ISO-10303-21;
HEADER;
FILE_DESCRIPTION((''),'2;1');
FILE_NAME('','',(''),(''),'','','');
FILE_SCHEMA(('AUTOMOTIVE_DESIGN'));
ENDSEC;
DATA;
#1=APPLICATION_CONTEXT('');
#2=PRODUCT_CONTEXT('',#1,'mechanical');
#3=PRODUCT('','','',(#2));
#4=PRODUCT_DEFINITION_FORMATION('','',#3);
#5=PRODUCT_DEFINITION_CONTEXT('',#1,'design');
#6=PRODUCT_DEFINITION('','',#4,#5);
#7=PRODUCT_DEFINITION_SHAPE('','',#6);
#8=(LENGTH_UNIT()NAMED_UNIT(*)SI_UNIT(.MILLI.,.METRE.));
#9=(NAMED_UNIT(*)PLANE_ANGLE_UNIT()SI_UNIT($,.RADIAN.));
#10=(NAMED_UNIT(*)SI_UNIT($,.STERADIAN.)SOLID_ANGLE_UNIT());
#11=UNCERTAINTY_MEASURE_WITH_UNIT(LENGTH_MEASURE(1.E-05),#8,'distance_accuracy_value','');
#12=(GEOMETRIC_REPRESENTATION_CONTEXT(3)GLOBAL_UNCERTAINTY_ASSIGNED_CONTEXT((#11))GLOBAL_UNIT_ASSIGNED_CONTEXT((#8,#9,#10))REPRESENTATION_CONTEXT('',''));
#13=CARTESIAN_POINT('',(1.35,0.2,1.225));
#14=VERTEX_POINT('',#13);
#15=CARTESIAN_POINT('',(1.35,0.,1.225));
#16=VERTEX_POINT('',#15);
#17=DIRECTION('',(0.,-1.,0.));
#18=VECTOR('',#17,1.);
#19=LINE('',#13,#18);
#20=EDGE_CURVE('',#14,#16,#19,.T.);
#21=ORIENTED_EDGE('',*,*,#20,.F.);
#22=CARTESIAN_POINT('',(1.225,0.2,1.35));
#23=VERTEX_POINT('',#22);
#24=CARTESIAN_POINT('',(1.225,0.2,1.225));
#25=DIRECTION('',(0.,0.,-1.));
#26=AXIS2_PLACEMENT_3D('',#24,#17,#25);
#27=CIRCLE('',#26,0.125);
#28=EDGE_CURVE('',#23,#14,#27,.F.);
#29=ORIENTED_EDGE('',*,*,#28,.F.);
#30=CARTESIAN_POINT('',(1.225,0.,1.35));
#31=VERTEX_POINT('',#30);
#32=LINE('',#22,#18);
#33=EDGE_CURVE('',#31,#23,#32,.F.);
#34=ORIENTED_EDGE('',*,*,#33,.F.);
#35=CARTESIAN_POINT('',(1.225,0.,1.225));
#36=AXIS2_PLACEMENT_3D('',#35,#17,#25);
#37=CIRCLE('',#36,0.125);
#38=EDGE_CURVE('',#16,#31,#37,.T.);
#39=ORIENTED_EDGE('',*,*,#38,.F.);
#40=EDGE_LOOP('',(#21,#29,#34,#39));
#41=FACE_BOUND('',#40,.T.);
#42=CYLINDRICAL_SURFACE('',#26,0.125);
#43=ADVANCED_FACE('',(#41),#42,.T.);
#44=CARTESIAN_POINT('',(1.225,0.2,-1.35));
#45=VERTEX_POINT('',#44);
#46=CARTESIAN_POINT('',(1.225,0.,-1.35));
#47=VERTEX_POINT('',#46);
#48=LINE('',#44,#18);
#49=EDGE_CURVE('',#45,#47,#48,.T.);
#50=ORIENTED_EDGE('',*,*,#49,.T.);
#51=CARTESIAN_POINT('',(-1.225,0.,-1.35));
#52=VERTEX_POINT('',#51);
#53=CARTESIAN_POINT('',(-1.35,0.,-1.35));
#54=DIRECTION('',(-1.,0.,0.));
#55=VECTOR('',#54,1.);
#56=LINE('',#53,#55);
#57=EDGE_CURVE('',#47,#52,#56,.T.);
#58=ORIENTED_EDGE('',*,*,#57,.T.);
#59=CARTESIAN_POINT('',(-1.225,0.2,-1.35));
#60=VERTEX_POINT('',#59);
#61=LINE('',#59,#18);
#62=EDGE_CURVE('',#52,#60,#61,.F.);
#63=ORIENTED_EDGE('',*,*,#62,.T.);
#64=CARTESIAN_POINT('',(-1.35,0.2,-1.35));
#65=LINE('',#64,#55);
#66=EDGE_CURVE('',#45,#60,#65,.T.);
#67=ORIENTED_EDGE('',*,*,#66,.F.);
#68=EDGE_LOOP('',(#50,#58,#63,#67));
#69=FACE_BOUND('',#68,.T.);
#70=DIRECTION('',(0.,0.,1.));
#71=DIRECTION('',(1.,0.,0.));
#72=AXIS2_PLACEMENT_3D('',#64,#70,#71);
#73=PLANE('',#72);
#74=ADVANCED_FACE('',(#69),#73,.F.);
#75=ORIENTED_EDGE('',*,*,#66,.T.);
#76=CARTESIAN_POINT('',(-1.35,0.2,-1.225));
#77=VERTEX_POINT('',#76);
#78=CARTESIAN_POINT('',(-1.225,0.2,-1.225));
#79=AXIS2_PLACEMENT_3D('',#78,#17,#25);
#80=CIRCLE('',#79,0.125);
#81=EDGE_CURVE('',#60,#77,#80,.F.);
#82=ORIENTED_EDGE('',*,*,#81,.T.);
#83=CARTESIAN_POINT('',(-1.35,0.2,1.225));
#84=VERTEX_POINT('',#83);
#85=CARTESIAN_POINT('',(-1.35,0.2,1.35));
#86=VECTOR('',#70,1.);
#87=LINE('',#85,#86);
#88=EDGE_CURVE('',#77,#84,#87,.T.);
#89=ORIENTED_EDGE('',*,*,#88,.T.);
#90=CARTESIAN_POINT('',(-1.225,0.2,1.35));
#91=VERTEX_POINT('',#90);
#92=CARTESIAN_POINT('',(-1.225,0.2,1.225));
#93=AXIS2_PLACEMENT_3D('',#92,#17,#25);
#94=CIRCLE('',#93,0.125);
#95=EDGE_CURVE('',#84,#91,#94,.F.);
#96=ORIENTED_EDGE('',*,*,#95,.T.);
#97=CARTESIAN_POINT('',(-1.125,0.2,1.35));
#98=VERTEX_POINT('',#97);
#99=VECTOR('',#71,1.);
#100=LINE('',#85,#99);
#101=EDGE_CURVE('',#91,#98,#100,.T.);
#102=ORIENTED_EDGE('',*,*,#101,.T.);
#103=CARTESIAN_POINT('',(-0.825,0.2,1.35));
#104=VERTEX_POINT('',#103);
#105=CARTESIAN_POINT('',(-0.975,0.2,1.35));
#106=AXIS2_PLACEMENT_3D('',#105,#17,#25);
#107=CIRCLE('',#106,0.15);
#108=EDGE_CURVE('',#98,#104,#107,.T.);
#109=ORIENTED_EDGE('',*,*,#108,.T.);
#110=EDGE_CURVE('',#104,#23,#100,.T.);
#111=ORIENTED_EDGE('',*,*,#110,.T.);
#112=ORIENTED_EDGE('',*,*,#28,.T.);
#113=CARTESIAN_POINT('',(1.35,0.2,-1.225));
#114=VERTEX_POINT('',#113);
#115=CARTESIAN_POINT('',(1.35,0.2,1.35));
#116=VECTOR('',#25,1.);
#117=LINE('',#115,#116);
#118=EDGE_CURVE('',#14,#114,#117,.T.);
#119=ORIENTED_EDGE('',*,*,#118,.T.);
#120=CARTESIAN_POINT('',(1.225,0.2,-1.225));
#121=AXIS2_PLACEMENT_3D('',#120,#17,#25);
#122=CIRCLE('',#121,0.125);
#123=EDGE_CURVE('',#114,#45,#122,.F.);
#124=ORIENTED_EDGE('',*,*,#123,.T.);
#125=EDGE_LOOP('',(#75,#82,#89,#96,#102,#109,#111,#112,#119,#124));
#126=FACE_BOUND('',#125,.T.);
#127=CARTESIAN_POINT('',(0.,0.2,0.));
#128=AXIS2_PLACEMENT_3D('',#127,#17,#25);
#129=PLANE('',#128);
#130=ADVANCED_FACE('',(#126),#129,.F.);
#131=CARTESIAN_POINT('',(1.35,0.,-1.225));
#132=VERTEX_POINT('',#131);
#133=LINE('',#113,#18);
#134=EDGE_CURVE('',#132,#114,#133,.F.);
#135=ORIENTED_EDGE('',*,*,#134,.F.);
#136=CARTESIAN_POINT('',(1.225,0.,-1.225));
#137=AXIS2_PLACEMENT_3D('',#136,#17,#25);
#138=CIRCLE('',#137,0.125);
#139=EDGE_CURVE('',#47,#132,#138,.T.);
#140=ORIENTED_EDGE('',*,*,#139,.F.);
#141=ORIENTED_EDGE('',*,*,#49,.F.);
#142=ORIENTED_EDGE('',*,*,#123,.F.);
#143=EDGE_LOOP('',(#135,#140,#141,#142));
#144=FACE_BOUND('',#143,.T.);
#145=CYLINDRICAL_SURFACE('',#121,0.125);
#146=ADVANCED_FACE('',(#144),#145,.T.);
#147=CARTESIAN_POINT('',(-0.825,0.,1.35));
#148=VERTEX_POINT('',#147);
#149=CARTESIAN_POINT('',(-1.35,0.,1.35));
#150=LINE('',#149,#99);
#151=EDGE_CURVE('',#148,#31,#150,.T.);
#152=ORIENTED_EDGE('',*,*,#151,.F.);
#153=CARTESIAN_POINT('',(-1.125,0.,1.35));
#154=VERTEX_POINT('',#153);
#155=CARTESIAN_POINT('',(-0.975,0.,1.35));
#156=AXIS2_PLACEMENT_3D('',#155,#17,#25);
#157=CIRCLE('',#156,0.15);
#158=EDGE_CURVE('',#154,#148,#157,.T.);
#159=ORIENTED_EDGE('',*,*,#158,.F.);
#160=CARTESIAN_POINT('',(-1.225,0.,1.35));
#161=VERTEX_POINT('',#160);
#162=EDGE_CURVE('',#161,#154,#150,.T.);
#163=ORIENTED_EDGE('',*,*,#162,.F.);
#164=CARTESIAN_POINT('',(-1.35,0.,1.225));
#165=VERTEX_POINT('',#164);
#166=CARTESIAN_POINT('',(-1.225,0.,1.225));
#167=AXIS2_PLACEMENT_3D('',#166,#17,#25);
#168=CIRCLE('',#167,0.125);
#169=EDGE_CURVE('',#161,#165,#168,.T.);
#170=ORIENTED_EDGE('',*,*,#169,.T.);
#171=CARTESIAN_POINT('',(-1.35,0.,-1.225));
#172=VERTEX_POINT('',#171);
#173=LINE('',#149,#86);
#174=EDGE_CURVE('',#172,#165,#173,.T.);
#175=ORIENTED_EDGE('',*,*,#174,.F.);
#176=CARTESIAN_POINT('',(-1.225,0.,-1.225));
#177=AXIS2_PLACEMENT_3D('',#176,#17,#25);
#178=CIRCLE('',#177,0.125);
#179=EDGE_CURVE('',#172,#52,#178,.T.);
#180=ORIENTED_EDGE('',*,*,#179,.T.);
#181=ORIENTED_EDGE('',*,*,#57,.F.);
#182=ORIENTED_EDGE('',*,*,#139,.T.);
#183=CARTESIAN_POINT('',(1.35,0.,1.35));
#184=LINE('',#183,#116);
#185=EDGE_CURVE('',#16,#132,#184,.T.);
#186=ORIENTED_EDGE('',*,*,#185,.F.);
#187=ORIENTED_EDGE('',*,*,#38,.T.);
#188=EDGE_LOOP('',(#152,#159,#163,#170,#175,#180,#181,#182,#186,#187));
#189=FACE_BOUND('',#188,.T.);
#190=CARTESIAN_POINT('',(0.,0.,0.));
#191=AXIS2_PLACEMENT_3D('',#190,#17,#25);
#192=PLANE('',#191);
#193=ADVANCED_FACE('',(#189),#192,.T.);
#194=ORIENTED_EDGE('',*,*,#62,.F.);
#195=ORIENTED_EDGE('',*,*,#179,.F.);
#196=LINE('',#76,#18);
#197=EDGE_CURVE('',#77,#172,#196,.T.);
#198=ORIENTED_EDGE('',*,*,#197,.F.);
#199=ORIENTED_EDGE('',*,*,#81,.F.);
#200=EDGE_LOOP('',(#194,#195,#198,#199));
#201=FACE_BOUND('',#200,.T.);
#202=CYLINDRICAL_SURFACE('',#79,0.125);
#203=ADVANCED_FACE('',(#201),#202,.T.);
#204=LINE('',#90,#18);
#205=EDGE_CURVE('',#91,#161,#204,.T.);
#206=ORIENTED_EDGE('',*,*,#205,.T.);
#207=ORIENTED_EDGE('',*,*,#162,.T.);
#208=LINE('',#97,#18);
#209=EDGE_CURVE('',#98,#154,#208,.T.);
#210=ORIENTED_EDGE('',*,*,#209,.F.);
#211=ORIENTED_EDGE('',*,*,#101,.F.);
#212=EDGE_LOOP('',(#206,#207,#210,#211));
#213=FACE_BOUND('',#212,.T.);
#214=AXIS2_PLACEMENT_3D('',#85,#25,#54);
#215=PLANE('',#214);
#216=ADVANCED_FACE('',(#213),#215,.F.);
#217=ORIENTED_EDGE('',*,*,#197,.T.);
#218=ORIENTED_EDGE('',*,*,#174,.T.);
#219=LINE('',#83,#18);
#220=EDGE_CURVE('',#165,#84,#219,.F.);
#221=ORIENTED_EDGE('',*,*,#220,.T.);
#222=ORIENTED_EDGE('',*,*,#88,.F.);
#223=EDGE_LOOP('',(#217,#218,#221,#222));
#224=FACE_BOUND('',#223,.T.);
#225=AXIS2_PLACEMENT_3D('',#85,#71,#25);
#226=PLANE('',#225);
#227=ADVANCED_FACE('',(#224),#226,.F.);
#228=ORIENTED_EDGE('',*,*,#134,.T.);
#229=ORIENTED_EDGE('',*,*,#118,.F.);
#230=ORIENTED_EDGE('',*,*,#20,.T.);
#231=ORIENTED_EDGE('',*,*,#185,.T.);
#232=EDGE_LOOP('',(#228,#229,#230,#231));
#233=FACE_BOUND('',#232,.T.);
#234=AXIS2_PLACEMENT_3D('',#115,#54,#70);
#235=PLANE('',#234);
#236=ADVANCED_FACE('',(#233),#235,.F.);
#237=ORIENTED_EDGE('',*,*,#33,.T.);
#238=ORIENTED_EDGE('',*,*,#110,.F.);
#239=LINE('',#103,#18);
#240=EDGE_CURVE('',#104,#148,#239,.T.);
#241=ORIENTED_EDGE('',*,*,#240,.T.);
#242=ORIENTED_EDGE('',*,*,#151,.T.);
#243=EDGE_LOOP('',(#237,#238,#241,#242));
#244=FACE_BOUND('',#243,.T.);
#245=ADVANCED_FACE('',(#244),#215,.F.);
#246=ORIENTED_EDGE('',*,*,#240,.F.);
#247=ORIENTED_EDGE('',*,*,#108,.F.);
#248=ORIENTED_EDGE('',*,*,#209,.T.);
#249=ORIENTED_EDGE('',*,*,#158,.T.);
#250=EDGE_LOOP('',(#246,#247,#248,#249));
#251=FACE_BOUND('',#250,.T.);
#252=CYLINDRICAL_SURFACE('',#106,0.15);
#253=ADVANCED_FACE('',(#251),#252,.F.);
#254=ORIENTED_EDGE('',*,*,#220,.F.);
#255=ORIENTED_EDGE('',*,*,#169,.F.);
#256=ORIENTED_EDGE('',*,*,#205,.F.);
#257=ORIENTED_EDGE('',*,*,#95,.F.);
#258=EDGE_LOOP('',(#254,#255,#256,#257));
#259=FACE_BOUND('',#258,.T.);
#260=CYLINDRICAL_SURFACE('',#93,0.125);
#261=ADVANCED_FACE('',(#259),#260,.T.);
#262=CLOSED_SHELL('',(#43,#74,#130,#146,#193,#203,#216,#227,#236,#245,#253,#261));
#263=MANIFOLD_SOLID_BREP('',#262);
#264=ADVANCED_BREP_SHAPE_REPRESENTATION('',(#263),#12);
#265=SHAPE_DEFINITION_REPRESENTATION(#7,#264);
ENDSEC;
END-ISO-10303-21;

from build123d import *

# Parameters (mm, degrees)
SKETCH1_W           = 2.7
SKETCH1_H           = 2.7
BOSS_EXTRUDE1_DEPTH = 0.2
FILLET1_R           = 0.125
CUT_EXTRUDE2_DEPTH  = 1.2


with BuildPart() as part:
    # Sketch1 → Boss-Extrude1 (new body)
    with BuildSketch(Plane(origin=(0, 0, 0), x_dir=(1, 0, 0), z_dir=(0, 1, 0))):
        Rectangle(SKETCH1_W, SKETCH1_H)
    extrude(amount=BOSS_EXTRUDE1_DEPTH)

    # Fillet1
    fillet1_edges = [part.edges().sort_by_distance(p)[0] for p in [
        (1.35, 0.1, 1.35),
        (-1.35, 0.1, 1.35),
        (-1.35, 0.1, -1.35),
        (1.35, 0.1, -1.35),
    ]]
    fillet(fillet1_edges, radius=FILLET1_R)

    # Sketch3 → Cut-Extrude2 (cut, through all)
    with BuildSketch(Plane.XZ):
        with BuildLine():
            Line((-1.125, 1.35), (-0.825, 1.35))
            ThreePointArc((-0.825, 1.35), (-0.975, 1.2), (-1.125, 1.35))
        make_face()
    extrude(amount=-CUT_EXTRUDE2_DEPTH, mode=Mode.SUBTRACT)


solid = part.part
